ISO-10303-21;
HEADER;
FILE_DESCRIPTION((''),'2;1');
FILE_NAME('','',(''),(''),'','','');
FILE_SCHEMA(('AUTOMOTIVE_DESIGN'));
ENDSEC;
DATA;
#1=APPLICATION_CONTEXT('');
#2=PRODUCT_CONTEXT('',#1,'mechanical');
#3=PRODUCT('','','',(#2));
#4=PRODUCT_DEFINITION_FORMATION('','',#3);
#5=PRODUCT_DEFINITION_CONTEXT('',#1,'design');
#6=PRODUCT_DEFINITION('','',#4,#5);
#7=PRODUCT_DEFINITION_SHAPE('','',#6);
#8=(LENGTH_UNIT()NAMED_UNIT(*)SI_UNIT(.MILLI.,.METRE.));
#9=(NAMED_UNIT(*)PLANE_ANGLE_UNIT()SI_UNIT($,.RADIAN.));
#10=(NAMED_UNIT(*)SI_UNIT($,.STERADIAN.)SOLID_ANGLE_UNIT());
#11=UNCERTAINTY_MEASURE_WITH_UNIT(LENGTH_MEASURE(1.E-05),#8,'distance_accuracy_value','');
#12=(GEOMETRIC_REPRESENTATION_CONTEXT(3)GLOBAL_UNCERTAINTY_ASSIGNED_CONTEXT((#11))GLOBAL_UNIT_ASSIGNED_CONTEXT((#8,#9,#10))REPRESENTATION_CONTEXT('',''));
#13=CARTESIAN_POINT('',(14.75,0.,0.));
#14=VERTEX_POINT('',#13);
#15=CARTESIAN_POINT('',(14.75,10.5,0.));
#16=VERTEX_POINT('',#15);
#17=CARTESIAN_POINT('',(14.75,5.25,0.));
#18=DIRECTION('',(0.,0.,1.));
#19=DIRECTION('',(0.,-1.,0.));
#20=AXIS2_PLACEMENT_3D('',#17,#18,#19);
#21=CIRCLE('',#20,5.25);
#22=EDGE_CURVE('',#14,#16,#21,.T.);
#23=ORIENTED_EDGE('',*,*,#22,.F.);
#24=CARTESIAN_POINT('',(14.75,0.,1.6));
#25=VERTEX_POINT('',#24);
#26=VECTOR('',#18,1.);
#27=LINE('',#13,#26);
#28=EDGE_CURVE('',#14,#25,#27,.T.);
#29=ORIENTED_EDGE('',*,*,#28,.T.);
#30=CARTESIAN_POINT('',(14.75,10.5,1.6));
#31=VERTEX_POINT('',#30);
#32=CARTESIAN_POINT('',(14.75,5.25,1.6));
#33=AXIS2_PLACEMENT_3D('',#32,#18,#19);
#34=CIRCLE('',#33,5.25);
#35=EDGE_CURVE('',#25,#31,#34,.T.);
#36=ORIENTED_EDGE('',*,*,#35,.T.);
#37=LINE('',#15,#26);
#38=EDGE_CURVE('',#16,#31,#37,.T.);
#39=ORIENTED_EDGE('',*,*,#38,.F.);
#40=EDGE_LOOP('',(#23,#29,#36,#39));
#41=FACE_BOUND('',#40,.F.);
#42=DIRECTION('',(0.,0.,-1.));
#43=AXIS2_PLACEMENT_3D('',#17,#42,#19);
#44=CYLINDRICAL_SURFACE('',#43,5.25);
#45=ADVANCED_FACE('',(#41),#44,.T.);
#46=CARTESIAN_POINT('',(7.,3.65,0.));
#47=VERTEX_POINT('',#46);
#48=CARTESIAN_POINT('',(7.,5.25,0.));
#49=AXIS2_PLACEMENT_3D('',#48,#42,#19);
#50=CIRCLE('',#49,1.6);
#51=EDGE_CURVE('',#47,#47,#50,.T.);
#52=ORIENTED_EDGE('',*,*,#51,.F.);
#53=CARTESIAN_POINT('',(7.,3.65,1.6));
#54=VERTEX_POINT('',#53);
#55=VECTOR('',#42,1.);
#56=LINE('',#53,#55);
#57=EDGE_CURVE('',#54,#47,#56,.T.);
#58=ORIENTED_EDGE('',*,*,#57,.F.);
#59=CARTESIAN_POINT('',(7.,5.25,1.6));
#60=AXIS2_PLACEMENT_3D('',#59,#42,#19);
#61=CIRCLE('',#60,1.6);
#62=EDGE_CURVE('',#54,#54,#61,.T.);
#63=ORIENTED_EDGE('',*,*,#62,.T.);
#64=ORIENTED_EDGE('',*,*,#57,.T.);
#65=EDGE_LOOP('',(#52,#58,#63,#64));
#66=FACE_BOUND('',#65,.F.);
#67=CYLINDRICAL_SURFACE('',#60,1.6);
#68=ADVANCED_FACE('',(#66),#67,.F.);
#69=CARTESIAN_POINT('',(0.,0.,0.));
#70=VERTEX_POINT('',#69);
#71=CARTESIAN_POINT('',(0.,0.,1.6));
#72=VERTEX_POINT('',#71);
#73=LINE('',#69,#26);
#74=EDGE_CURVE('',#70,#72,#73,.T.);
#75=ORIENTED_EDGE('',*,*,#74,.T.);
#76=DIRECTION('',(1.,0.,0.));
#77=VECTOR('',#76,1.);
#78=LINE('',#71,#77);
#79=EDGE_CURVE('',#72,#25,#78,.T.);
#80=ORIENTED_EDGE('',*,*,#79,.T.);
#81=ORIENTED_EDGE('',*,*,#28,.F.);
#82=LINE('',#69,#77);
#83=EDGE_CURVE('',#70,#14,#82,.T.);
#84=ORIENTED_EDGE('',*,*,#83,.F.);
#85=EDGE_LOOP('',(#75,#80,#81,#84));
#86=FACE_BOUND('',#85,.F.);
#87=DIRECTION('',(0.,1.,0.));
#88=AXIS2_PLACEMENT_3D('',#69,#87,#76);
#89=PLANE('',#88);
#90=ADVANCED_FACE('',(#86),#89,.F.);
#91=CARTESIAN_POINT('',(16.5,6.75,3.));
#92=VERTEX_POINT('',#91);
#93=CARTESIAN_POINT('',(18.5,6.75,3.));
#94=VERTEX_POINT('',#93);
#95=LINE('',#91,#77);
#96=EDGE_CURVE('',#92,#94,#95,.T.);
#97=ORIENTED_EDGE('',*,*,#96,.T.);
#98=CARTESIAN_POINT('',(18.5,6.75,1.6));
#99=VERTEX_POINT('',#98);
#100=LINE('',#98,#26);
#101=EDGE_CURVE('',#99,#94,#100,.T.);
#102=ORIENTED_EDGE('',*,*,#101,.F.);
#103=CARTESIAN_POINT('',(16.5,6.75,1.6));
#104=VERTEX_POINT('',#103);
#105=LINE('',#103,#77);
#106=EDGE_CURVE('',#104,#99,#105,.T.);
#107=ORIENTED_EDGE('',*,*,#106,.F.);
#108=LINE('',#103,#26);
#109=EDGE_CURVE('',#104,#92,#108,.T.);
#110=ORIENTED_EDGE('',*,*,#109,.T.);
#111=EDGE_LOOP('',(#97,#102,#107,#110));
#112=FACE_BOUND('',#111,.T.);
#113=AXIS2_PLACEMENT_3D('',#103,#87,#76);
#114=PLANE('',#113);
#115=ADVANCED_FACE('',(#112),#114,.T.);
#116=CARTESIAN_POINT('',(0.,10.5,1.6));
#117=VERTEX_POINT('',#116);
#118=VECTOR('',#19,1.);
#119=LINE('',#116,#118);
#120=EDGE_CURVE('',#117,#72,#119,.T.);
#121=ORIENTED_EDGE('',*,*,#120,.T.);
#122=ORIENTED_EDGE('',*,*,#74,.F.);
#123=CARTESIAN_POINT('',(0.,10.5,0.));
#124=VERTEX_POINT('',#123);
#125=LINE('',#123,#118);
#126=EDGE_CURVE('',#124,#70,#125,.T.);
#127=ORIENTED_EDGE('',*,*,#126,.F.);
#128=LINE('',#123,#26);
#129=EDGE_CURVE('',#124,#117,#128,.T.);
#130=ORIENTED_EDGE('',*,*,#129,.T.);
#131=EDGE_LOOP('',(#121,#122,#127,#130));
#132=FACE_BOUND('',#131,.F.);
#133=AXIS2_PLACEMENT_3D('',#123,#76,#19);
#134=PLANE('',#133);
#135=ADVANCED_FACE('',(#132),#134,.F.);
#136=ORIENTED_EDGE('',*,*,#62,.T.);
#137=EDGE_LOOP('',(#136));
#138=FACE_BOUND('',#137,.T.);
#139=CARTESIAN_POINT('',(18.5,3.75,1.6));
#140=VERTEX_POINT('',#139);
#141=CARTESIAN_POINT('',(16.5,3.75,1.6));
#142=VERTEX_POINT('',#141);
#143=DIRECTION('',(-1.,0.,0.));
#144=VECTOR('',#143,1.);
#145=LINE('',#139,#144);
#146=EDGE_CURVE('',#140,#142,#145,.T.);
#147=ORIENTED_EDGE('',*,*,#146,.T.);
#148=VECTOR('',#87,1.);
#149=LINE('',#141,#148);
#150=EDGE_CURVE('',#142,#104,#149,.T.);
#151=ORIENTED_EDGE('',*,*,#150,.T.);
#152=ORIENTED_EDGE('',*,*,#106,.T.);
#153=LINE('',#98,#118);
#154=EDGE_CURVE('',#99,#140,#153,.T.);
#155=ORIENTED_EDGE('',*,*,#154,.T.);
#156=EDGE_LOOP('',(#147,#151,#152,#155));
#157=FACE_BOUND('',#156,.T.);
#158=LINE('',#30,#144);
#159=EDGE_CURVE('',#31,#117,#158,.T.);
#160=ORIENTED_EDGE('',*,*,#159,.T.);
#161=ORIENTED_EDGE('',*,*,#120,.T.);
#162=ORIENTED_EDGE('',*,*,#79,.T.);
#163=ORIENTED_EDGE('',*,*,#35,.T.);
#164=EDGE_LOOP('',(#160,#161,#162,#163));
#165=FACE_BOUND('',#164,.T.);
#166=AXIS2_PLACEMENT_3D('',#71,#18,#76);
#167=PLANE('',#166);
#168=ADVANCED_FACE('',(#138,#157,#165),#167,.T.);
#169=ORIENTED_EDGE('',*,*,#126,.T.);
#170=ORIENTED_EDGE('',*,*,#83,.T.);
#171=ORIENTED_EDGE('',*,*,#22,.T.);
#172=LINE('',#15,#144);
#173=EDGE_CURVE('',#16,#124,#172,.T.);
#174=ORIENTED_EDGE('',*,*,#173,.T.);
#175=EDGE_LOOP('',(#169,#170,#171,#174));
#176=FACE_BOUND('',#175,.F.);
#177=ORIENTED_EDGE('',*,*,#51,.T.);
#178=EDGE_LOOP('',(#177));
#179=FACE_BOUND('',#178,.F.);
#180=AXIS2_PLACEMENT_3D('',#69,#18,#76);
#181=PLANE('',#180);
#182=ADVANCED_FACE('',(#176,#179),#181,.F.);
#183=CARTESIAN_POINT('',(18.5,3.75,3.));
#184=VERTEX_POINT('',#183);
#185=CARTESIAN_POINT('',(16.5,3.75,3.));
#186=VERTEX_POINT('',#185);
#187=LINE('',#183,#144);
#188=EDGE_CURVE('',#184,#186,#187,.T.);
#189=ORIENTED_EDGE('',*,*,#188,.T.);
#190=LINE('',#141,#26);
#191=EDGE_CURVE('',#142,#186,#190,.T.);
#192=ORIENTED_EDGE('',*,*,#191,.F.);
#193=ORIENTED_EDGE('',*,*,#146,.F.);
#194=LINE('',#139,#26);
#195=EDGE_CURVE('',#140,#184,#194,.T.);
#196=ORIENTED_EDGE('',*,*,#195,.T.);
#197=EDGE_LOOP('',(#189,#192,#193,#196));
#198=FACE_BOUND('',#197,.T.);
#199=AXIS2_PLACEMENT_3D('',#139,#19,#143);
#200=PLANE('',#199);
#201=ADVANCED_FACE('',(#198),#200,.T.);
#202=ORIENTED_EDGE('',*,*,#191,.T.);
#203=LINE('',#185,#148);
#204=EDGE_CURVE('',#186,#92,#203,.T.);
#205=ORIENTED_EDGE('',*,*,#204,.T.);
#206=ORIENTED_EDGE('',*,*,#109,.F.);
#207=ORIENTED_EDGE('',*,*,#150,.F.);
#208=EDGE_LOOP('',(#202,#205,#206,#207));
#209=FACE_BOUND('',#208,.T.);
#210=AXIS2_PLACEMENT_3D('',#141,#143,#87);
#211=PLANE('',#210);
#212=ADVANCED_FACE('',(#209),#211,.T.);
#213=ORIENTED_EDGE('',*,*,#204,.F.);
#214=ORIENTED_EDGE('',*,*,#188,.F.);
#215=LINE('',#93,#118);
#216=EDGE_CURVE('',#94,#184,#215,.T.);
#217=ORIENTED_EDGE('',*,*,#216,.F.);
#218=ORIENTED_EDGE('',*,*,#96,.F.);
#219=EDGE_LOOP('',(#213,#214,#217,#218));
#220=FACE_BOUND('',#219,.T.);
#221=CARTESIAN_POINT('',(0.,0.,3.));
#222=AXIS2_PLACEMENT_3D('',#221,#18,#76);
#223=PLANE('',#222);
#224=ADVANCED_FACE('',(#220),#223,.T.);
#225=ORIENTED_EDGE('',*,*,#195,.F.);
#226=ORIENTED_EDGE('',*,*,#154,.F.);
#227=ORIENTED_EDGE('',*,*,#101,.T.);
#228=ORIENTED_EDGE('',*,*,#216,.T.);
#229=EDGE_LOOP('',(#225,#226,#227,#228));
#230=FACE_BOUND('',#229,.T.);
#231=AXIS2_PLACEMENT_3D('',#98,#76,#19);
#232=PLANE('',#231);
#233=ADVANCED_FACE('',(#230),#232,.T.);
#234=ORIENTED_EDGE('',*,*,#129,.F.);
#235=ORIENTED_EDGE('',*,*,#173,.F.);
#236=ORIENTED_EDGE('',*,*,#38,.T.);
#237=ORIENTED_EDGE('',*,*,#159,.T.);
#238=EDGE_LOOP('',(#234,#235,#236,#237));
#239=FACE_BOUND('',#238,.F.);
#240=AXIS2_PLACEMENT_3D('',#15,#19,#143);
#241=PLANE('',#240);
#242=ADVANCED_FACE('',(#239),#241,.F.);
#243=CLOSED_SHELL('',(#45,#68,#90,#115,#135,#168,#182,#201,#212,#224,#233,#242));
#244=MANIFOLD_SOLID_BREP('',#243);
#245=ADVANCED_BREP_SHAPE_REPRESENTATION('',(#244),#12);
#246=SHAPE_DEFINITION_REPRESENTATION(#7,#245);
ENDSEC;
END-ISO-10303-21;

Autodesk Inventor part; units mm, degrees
ref_plane "YZ Plane" through (0, 0, 0) normal (1, 0, 0) x (0, 1, 0)
ref_plane "XZ Plane" through (0, 0, 0) normal (0, 1, 0) x (-1, 0, 0)
ref_plane "XY Plane" through (0, 0, 0) normal (0, 0, 1) x (1, 0, 0)
sketch "Sketch1" plane through (0, 0, 0) normal (0, 0, 1) x (1, 0, 0)
  line L0 (0, 0) -> (14.75, 0)
  arc A0 (14.75, 0) -> (14.75, 10.5) centre (14.75, 5.25) ccw
  line L1 (14.75, 10.5) -> (0, 10.5)
  line L2 (0, 10.5) -> (0, 0)
  dimension "d0" = 10.5
  dimension "d1" = 20
extrude "Extrusion1" add sketch "Sketch1" along normal blind 1.6
sketch "Esquisse2" plane through (0, 0, 1.6) normal (0, 0, 1) x (1, 0, 0)
  line L0 (0, 0) -> (14.75, 0) construction
  arc A0 (14.75, 0) -> (14.75, 10.5) centre (14.75, 5.25) ccw construction
  line L1 (14.75, 10.5) -> (0, 10.5) construction
  line L2 (0, 10.5) -> (0, 0) construction
  line L3 (16.5, 6.75) -> (18.5, 6.75)
  line L4 (18.5, 6.75) -> (18.5, 3.75)
  line L5 (18.5, 3.75) -> (16.5, 3.75)
  line L6 (16.5, 3.75) -> (16.5, 6.75)
  point P0 (16.5, 5.25)
  dimension "d4" = 3
  dimension "d5" = 2
  dimension "d6" = 18.5
extrude "Extrusion2" add sketch "Esquisse2" along normal blind 1.4
sketch "Esquisse3" plane through (0, 0, 1.6) normal (0, 0, 1) x (1, 0, 0)
  line L0 (18.5, 6.75) -> (18.5, 3.75) construction
  line L1 (18.5, 3.75) -> (16.5, 3.75) construction
  line L2 (16.5, 3.75) -> (16.5, 6.75) construction
  line L3 (16.5, 6.75) -> (18.5, 6.75) construction
  line L4 (0, 0) -> (14.75, 0) construction
  arc A0 (14.75, 0) -> (14.75, 10.5) centre (14.75, 5.25) ccw construction
  line L5 (14.75, 10.5) -> (0, 10.5) construction
  line L6 (0, 10.5) -> (0, 0) construction
  line L7 (0, 5.25) -> (14.75, 5.25) construction
  point P0 (7, 5.25)
  dimension "d9" = 7
hole "Perçage1" at (7, 5.25, 1.6) direction (0, 0, -1) diameter 3.2 end through all
properties part number "FE015" material "Fourniture / Geliefertes"
